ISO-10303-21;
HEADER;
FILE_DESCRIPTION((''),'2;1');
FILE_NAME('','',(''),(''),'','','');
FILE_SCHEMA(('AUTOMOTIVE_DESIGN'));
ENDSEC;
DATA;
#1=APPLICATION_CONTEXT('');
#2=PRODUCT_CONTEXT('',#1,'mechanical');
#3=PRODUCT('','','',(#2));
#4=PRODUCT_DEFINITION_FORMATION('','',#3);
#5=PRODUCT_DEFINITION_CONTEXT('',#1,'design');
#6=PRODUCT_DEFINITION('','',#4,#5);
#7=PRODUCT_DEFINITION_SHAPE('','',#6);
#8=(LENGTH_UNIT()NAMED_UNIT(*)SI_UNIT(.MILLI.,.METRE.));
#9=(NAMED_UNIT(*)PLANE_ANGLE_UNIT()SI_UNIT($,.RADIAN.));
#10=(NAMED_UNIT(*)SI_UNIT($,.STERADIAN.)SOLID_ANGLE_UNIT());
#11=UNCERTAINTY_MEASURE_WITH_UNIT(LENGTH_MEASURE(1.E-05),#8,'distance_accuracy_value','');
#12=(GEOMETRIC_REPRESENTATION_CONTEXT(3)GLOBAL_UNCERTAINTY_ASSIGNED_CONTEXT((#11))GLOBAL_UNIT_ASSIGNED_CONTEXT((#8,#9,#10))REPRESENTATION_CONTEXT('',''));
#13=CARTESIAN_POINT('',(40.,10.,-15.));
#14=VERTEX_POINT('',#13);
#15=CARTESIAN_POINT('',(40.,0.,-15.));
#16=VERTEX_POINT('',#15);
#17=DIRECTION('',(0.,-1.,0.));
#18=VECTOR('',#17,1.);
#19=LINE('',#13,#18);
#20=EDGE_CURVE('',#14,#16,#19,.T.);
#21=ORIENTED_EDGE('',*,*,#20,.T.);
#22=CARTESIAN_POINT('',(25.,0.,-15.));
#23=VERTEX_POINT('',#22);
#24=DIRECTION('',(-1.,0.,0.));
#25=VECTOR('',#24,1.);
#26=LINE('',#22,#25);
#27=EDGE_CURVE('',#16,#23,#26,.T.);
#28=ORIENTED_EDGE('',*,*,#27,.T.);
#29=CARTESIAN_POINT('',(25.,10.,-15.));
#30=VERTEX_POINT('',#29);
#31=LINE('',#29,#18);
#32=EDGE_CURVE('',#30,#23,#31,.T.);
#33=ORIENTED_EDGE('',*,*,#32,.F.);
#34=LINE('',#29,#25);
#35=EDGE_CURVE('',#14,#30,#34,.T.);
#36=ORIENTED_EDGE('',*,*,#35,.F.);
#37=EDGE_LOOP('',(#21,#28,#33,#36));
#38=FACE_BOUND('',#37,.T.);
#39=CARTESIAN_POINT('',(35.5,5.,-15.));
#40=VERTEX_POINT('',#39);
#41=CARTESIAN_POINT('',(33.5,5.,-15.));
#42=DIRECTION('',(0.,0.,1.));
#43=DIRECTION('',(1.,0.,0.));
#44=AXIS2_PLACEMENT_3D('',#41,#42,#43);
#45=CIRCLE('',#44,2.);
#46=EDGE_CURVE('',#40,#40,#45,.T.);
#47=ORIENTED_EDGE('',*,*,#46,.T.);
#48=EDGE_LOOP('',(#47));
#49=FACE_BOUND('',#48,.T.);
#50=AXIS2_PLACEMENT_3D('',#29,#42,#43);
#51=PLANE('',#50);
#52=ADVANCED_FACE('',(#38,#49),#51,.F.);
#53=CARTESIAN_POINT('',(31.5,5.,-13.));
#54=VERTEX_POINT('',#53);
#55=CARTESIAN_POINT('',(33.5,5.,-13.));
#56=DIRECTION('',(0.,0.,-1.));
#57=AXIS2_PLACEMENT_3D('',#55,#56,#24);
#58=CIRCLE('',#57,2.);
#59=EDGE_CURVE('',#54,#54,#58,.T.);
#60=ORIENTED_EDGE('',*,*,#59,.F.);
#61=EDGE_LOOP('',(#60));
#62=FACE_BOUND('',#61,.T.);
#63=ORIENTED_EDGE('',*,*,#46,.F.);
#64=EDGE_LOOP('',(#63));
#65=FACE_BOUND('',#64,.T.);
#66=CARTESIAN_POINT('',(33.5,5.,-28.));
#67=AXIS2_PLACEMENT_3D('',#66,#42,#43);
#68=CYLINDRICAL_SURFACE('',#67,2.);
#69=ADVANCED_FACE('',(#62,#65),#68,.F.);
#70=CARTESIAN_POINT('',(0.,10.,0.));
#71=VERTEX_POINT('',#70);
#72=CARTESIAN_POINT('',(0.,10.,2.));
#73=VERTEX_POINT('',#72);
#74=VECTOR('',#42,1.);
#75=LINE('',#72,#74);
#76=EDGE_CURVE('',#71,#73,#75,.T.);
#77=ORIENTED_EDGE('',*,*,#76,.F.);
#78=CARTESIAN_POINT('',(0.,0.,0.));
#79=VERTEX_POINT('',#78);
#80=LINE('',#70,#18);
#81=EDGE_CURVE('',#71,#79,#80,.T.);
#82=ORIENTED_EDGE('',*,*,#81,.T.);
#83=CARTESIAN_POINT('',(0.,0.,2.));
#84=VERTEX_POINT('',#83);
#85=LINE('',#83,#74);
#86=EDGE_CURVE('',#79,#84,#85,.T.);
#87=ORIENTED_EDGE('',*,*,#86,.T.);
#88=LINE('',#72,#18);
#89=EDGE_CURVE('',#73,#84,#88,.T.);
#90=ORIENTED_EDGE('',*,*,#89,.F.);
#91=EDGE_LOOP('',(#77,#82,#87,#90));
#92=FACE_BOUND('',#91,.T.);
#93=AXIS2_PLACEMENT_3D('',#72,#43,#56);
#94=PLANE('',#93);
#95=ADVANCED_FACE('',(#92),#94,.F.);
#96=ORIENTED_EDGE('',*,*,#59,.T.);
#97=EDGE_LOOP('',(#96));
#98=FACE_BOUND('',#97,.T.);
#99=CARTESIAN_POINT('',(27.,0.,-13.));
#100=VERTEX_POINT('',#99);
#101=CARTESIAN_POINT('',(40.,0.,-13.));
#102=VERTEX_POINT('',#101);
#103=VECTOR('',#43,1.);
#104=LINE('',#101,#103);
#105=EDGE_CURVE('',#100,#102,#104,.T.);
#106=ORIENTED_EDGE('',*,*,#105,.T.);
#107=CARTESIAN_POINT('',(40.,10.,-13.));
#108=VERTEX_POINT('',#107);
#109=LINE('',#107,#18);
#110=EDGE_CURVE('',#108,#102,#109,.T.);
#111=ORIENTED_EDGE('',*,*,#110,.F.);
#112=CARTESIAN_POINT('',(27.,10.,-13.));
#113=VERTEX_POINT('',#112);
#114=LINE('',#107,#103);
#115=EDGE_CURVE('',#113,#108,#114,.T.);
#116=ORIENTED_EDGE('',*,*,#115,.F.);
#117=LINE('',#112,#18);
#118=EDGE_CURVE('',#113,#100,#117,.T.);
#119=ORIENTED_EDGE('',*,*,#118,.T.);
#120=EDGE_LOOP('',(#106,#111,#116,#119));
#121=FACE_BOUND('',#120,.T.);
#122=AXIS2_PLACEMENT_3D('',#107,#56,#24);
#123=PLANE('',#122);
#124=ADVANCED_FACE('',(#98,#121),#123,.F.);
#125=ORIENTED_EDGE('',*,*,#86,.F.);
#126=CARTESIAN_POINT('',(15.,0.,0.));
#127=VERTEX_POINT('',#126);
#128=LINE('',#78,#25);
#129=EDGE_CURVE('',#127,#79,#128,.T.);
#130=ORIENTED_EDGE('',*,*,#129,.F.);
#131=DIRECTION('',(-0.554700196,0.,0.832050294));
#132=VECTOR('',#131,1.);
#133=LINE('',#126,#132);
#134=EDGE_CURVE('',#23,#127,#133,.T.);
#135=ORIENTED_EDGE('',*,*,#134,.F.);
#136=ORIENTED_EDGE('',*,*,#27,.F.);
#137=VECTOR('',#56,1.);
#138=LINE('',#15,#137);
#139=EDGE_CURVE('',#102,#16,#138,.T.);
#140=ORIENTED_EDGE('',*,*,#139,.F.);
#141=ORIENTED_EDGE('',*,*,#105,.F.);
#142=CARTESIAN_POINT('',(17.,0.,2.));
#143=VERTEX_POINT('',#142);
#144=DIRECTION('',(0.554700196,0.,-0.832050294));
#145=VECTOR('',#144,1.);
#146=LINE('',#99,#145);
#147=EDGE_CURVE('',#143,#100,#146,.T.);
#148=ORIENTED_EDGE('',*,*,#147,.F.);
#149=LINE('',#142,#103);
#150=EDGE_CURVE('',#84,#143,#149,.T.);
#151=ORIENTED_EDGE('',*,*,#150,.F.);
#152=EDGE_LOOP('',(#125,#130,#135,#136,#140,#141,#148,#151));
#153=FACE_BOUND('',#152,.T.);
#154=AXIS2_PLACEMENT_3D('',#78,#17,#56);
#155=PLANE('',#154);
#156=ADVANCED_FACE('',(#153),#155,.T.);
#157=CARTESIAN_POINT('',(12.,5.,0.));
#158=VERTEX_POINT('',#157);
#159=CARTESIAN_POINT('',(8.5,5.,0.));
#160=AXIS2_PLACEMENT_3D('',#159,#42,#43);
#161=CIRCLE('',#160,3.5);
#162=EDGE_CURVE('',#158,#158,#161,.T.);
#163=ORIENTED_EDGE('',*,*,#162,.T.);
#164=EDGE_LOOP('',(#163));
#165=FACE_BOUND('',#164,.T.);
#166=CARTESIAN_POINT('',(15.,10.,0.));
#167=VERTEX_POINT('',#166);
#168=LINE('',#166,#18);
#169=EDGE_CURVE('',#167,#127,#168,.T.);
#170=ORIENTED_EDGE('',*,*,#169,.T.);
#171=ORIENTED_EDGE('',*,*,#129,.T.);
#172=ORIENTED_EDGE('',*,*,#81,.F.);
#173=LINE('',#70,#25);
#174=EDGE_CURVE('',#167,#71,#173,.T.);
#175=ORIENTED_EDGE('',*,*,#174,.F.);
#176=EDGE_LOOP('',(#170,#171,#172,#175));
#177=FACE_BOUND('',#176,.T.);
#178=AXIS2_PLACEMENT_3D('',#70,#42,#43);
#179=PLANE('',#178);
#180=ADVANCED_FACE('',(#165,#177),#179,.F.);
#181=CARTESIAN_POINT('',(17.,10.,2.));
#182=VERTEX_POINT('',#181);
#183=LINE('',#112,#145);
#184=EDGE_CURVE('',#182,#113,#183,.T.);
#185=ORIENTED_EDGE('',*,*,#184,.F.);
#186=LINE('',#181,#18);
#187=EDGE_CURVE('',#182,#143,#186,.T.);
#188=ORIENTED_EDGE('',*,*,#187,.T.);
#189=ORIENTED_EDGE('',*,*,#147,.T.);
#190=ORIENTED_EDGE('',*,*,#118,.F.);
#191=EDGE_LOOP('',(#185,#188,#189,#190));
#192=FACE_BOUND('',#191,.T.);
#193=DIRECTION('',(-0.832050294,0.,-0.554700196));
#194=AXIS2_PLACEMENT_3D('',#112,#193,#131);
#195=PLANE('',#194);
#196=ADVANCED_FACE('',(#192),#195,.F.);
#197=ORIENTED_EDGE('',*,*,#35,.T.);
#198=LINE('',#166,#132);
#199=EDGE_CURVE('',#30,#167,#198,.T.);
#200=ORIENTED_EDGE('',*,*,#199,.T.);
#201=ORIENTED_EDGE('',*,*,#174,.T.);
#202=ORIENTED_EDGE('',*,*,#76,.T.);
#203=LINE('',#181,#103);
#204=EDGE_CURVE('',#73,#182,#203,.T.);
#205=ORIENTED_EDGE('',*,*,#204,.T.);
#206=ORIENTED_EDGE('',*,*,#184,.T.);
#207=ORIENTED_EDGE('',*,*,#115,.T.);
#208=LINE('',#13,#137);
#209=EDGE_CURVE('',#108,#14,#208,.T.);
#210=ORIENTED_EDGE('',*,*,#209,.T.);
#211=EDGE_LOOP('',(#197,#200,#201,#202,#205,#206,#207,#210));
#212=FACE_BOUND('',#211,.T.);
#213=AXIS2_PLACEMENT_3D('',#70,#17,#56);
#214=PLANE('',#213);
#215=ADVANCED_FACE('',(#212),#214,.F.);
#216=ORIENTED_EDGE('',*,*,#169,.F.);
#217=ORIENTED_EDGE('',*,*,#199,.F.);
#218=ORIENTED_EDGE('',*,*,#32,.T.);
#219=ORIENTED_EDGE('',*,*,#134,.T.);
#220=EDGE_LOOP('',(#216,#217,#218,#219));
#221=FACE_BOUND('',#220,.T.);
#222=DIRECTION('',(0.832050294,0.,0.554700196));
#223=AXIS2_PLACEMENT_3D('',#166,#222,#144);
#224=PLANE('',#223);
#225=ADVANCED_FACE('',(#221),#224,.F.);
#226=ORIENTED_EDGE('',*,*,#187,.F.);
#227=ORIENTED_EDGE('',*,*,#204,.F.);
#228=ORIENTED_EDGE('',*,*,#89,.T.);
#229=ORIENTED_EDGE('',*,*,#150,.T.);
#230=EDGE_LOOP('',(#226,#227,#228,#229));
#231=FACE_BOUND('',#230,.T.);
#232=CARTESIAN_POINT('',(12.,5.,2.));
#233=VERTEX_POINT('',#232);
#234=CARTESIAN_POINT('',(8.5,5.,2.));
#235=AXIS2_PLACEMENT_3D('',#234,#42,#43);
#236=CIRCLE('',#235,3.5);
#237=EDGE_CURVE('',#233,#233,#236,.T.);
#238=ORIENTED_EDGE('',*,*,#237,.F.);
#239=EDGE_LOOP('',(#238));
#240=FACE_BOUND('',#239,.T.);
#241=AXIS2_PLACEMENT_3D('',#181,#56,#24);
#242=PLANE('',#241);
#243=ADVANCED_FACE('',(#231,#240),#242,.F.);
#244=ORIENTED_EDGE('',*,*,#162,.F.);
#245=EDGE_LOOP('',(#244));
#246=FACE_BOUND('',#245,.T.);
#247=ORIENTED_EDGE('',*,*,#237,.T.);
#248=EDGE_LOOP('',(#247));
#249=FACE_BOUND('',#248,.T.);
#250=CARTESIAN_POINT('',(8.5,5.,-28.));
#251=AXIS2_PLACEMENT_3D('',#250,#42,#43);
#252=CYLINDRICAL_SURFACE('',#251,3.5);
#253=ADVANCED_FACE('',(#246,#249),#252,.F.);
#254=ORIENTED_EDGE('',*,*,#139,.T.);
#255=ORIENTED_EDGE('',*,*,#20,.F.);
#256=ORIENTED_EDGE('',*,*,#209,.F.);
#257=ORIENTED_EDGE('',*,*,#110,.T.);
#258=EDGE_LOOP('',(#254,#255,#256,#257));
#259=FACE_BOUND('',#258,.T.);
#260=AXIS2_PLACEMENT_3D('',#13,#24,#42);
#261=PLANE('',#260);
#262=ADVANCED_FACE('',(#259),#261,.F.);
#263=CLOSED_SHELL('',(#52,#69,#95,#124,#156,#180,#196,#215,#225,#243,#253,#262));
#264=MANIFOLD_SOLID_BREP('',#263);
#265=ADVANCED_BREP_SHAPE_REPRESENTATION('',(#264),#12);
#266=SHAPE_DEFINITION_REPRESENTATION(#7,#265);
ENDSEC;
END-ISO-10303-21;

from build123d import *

# Parameters (mm, degrees)
BOSS_EXTRUDE1_DEPTH = 10
SKETCH3_R           = 3.5
SKETCH3_R_2         = 2
CUT_EXTRUDE1_DEPTH  = 30


with BuildPart() as part:
    # Sketch2 → Boss-Extrude1 (new body)
    with BuildSketch(Plane(origin=(0, 0, 0), x_dir=(1, 0, 0), z_dir=(0, 1, 0))):
        Polygon((0, 0), (15, 0), (25, 15), (40, 15), (40, 13), (27, 13), (17, -2), (0, -2), align=None)
    extrude(amount=BOSS_EXTRUDE1_DEPTH)

    # Sketch3 → Cut-Extrude1 (cut)
    with BuildSketch(Plane.XY.offset(2)):
        with Locations((8.5, 5)):
            Circle(SKETCH3_R)
        with Locations((33.5, 5)):
            Circle(SKETCH3_R_2)
    extrude(amount=-CUT_EXTRUDE1_DEPTH, mode=Mode.SUBTRACT)


solid = part.part
